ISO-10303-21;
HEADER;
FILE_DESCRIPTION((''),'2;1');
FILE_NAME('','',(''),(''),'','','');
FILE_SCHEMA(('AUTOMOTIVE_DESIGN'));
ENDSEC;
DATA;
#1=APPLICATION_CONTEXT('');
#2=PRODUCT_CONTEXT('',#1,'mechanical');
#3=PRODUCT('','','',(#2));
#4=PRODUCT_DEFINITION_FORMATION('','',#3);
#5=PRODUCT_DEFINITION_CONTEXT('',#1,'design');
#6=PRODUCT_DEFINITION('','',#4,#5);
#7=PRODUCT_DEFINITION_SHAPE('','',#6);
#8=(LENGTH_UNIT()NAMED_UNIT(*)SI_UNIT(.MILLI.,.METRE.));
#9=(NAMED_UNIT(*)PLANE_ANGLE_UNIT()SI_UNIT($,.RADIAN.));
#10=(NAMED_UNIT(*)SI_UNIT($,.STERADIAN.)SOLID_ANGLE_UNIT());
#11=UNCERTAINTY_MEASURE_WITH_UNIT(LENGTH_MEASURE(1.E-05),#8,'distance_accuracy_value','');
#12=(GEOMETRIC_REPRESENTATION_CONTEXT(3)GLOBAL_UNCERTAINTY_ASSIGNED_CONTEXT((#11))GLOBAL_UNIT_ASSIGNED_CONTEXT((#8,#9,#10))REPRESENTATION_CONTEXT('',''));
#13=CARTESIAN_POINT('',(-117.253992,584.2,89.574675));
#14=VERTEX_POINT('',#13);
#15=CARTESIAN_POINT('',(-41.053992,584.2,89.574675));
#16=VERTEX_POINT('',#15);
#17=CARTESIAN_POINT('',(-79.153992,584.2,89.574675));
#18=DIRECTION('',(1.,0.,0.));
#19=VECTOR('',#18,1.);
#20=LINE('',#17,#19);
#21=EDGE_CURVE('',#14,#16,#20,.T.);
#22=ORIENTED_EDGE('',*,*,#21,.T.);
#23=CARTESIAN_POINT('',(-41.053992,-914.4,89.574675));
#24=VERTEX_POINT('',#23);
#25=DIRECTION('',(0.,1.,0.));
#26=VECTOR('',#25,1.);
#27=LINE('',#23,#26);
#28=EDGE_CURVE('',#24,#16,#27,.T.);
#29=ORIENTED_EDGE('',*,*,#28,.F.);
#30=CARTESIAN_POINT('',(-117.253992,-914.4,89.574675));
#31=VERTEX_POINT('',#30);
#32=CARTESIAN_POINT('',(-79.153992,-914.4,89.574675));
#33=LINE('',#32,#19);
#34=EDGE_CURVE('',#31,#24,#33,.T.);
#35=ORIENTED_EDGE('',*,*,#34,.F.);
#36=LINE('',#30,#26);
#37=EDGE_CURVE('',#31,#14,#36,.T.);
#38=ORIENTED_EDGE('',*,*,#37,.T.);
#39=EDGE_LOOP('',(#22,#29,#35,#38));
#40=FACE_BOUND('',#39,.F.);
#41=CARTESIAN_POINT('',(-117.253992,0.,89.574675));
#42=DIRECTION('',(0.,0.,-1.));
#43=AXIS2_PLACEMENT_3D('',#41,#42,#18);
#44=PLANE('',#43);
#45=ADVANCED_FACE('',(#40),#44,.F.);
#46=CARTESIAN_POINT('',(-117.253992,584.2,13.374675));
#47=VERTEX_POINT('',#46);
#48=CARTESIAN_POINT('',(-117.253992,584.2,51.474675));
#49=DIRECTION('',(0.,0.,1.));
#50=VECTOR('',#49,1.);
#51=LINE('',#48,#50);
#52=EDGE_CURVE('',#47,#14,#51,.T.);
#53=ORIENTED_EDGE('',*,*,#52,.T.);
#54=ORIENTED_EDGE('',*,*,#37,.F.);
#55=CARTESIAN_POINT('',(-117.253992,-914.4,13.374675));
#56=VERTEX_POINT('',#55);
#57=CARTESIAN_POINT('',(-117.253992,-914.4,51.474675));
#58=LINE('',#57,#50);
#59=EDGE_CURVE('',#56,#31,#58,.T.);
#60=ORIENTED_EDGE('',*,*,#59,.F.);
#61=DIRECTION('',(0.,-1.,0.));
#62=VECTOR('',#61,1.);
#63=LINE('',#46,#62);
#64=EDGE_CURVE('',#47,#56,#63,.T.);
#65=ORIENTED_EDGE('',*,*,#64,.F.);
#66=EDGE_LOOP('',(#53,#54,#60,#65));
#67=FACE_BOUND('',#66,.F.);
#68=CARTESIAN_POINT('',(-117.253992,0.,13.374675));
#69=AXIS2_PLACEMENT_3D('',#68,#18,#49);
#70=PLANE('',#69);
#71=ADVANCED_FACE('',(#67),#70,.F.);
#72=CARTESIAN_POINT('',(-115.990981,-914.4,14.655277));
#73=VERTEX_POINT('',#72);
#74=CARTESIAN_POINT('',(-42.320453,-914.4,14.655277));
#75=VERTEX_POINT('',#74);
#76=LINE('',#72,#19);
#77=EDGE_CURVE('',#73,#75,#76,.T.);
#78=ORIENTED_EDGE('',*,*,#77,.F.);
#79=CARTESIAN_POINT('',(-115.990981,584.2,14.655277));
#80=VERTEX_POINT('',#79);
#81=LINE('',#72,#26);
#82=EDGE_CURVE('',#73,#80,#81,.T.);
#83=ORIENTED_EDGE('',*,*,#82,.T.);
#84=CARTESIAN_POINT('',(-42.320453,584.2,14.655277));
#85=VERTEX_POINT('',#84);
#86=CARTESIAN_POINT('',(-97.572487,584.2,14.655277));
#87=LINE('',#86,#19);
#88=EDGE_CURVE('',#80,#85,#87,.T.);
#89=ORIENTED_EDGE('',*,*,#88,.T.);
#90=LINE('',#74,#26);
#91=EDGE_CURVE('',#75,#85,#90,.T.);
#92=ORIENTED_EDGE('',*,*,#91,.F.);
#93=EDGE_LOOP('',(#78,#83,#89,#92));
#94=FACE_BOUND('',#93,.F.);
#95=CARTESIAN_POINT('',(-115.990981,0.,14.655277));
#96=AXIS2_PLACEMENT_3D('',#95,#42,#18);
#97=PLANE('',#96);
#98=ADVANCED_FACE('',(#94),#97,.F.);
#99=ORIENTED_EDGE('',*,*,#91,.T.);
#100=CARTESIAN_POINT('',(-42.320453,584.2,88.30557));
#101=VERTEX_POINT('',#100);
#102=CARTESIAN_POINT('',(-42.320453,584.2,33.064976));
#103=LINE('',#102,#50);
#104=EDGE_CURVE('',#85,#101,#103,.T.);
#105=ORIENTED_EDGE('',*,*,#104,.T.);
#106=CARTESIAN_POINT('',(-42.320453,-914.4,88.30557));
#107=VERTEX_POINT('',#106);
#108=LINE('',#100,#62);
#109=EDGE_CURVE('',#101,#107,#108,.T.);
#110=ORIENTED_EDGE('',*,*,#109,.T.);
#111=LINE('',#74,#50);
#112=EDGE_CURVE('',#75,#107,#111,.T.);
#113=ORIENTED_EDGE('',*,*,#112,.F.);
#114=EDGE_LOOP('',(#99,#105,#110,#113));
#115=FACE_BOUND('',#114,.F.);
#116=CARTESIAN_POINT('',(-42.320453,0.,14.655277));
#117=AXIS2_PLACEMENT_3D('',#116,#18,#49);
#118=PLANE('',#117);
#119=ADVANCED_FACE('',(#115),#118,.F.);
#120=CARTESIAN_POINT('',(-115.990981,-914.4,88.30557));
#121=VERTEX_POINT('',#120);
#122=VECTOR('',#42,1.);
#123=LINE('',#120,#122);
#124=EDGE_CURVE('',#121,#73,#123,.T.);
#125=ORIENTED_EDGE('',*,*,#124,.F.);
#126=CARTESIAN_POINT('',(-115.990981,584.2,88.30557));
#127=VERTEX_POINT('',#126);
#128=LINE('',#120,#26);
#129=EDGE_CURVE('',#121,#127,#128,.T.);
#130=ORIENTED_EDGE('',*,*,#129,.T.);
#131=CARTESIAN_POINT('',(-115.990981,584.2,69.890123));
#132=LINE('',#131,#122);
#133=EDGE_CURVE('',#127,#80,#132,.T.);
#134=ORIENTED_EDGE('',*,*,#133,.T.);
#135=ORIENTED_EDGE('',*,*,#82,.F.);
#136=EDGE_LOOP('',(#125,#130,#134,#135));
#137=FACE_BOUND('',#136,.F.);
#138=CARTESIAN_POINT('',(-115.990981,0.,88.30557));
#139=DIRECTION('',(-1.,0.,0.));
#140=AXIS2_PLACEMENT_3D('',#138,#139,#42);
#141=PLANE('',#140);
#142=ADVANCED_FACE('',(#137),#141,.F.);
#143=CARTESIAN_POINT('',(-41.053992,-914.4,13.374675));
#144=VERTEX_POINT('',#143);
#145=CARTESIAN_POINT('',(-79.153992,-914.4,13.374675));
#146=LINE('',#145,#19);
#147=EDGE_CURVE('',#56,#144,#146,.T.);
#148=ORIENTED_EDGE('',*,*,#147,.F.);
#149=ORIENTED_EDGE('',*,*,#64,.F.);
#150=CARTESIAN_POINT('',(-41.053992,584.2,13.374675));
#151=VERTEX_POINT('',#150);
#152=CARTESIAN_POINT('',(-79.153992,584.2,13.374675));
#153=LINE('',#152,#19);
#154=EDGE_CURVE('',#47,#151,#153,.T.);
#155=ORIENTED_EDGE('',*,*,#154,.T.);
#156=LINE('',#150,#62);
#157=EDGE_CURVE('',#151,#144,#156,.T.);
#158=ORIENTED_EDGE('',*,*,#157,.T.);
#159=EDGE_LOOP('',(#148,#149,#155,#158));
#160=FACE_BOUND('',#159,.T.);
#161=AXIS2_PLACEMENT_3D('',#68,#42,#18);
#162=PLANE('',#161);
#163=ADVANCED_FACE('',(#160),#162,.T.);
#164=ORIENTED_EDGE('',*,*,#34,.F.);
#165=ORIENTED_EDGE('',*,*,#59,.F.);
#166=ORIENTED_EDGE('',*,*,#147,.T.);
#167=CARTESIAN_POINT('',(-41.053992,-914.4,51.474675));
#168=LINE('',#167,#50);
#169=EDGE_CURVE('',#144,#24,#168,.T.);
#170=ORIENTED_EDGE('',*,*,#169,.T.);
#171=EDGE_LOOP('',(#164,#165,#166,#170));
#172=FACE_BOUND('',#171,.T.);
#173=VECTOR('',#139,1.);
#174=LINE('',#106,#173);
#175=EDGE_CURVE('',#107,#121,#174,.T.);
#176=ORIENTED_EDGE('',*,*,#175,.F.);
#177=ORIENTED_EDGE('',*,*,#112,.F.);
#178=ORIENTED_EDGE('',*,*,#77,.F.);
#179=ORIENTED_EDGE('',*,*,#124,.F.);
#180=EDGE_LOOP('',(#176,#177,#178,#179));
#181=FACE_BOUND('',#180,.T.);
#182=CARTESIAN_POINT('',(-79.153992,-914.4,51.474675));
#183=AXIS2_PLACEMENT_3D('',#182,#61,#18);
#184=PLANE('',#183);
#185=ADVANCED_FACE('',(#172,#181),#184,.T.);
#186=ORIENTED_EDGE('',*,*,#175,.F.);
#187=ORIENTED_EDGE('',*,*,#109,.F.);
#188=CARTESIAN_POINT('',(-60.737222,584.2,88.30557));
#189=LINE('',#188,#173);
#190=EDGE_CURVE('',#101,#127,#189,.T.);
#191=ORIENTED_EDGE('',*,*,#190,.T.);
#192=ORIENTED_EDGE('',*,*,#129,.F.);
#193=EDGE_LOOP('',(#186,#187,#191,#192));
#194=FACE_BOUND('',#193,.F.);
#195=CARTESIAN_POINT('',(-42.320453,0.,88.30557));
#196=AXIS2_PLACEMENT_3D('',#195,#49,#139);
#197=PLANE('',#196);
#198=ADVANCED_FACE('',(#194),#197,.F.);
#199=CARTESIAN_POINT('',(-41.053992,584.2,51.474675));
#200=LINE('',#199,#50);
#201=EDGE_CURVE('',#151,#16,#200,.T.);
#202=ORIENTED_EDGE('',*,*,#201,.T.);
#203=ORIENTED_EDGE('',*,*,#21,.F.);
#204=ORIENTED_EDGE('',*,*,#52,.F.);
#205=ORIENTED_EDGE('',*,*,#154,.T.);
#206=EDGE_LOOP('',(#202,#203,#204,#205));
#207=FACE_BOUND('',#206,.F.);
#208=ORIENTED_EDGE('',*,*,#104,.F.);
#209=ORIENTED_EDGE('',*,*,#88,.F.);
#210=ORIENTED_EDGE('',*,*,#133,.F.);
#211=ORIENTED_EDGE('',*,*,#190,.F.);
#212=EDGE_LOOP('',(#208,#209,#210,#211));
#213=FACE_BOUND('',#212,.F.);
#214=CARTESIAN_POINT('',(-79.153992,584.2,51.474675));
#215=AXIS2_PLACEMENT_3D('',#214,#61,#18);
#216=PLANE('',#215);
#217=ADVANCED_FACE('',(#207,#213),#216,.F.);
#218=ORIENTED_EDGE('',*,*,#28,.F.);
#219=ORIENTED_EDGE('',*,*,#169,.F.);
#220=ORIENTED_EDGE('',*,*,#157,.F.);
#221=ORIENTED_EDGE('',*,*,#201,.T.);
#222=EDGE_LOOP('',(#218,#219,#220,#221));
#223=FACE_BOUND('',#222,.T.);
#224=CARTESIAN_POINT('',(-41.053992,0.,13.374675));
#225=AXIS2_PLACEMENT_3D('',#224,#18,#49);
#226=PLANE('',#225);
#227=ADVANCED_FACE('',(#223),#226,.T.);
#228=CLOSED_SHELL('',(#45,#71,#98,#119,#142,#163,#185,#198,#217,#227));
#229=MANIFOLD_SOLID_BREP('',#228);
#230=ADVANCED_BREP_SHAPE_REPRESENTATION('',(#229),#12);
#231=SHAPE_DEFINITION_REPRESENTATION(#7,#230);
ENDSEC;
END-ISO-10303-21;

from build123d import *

# Parameters (mm, degrees)
F0_W     = 76.2
F0_H     = 76.2
F1_DEPTH = 609.6
F3_DEPTH = 914.4
F4_DEPTH = 304.8
F5_DEPTH = 584.2


with BuildPart() as f1:
    # F0 (on Front) → F1 (new body)
    with BuildSketch(Plane.XZ):
        with Locations((-79.1539917648, 51.4746750653)):
            Rectangle(F0_W, F0_H)
    extrude(amount=F1_DEPTH)

    # F2 (on face) → F3 (cut)
    with BuildSketch(Plane.XZ.offset(609.6)):
        Polygon((-42.3204526305, 88.3055701852), (-98.6881405115, 88.3055701852), (-115.9909814596, 88.3055701852), (-115.9909814596, 14.655277133), (-42.3204526305, 14.655277133), align=None)
    extrude(amount=-F3_DEPTH, mode=Mode.SUBTRACT)

    # F4 (add): a face of the model
    f4_faces = [f1.faces().sort_by_distance(p)[0] for p in [
        (-42.1316224993, -609.6, 51.4746750653),
    ]]
    extrude(f4_faces, amount=F4_DEPTH)

    # F5 (add): a face of the model
    f5_faces = [f1.faces().sort_by_distance(p)[0] for p in [
        (-42.1316224993, 0, 51.4746750653),
    ]]
    extrude(f5_faces, amount=F5_DEPTH)


solid = f1.part
